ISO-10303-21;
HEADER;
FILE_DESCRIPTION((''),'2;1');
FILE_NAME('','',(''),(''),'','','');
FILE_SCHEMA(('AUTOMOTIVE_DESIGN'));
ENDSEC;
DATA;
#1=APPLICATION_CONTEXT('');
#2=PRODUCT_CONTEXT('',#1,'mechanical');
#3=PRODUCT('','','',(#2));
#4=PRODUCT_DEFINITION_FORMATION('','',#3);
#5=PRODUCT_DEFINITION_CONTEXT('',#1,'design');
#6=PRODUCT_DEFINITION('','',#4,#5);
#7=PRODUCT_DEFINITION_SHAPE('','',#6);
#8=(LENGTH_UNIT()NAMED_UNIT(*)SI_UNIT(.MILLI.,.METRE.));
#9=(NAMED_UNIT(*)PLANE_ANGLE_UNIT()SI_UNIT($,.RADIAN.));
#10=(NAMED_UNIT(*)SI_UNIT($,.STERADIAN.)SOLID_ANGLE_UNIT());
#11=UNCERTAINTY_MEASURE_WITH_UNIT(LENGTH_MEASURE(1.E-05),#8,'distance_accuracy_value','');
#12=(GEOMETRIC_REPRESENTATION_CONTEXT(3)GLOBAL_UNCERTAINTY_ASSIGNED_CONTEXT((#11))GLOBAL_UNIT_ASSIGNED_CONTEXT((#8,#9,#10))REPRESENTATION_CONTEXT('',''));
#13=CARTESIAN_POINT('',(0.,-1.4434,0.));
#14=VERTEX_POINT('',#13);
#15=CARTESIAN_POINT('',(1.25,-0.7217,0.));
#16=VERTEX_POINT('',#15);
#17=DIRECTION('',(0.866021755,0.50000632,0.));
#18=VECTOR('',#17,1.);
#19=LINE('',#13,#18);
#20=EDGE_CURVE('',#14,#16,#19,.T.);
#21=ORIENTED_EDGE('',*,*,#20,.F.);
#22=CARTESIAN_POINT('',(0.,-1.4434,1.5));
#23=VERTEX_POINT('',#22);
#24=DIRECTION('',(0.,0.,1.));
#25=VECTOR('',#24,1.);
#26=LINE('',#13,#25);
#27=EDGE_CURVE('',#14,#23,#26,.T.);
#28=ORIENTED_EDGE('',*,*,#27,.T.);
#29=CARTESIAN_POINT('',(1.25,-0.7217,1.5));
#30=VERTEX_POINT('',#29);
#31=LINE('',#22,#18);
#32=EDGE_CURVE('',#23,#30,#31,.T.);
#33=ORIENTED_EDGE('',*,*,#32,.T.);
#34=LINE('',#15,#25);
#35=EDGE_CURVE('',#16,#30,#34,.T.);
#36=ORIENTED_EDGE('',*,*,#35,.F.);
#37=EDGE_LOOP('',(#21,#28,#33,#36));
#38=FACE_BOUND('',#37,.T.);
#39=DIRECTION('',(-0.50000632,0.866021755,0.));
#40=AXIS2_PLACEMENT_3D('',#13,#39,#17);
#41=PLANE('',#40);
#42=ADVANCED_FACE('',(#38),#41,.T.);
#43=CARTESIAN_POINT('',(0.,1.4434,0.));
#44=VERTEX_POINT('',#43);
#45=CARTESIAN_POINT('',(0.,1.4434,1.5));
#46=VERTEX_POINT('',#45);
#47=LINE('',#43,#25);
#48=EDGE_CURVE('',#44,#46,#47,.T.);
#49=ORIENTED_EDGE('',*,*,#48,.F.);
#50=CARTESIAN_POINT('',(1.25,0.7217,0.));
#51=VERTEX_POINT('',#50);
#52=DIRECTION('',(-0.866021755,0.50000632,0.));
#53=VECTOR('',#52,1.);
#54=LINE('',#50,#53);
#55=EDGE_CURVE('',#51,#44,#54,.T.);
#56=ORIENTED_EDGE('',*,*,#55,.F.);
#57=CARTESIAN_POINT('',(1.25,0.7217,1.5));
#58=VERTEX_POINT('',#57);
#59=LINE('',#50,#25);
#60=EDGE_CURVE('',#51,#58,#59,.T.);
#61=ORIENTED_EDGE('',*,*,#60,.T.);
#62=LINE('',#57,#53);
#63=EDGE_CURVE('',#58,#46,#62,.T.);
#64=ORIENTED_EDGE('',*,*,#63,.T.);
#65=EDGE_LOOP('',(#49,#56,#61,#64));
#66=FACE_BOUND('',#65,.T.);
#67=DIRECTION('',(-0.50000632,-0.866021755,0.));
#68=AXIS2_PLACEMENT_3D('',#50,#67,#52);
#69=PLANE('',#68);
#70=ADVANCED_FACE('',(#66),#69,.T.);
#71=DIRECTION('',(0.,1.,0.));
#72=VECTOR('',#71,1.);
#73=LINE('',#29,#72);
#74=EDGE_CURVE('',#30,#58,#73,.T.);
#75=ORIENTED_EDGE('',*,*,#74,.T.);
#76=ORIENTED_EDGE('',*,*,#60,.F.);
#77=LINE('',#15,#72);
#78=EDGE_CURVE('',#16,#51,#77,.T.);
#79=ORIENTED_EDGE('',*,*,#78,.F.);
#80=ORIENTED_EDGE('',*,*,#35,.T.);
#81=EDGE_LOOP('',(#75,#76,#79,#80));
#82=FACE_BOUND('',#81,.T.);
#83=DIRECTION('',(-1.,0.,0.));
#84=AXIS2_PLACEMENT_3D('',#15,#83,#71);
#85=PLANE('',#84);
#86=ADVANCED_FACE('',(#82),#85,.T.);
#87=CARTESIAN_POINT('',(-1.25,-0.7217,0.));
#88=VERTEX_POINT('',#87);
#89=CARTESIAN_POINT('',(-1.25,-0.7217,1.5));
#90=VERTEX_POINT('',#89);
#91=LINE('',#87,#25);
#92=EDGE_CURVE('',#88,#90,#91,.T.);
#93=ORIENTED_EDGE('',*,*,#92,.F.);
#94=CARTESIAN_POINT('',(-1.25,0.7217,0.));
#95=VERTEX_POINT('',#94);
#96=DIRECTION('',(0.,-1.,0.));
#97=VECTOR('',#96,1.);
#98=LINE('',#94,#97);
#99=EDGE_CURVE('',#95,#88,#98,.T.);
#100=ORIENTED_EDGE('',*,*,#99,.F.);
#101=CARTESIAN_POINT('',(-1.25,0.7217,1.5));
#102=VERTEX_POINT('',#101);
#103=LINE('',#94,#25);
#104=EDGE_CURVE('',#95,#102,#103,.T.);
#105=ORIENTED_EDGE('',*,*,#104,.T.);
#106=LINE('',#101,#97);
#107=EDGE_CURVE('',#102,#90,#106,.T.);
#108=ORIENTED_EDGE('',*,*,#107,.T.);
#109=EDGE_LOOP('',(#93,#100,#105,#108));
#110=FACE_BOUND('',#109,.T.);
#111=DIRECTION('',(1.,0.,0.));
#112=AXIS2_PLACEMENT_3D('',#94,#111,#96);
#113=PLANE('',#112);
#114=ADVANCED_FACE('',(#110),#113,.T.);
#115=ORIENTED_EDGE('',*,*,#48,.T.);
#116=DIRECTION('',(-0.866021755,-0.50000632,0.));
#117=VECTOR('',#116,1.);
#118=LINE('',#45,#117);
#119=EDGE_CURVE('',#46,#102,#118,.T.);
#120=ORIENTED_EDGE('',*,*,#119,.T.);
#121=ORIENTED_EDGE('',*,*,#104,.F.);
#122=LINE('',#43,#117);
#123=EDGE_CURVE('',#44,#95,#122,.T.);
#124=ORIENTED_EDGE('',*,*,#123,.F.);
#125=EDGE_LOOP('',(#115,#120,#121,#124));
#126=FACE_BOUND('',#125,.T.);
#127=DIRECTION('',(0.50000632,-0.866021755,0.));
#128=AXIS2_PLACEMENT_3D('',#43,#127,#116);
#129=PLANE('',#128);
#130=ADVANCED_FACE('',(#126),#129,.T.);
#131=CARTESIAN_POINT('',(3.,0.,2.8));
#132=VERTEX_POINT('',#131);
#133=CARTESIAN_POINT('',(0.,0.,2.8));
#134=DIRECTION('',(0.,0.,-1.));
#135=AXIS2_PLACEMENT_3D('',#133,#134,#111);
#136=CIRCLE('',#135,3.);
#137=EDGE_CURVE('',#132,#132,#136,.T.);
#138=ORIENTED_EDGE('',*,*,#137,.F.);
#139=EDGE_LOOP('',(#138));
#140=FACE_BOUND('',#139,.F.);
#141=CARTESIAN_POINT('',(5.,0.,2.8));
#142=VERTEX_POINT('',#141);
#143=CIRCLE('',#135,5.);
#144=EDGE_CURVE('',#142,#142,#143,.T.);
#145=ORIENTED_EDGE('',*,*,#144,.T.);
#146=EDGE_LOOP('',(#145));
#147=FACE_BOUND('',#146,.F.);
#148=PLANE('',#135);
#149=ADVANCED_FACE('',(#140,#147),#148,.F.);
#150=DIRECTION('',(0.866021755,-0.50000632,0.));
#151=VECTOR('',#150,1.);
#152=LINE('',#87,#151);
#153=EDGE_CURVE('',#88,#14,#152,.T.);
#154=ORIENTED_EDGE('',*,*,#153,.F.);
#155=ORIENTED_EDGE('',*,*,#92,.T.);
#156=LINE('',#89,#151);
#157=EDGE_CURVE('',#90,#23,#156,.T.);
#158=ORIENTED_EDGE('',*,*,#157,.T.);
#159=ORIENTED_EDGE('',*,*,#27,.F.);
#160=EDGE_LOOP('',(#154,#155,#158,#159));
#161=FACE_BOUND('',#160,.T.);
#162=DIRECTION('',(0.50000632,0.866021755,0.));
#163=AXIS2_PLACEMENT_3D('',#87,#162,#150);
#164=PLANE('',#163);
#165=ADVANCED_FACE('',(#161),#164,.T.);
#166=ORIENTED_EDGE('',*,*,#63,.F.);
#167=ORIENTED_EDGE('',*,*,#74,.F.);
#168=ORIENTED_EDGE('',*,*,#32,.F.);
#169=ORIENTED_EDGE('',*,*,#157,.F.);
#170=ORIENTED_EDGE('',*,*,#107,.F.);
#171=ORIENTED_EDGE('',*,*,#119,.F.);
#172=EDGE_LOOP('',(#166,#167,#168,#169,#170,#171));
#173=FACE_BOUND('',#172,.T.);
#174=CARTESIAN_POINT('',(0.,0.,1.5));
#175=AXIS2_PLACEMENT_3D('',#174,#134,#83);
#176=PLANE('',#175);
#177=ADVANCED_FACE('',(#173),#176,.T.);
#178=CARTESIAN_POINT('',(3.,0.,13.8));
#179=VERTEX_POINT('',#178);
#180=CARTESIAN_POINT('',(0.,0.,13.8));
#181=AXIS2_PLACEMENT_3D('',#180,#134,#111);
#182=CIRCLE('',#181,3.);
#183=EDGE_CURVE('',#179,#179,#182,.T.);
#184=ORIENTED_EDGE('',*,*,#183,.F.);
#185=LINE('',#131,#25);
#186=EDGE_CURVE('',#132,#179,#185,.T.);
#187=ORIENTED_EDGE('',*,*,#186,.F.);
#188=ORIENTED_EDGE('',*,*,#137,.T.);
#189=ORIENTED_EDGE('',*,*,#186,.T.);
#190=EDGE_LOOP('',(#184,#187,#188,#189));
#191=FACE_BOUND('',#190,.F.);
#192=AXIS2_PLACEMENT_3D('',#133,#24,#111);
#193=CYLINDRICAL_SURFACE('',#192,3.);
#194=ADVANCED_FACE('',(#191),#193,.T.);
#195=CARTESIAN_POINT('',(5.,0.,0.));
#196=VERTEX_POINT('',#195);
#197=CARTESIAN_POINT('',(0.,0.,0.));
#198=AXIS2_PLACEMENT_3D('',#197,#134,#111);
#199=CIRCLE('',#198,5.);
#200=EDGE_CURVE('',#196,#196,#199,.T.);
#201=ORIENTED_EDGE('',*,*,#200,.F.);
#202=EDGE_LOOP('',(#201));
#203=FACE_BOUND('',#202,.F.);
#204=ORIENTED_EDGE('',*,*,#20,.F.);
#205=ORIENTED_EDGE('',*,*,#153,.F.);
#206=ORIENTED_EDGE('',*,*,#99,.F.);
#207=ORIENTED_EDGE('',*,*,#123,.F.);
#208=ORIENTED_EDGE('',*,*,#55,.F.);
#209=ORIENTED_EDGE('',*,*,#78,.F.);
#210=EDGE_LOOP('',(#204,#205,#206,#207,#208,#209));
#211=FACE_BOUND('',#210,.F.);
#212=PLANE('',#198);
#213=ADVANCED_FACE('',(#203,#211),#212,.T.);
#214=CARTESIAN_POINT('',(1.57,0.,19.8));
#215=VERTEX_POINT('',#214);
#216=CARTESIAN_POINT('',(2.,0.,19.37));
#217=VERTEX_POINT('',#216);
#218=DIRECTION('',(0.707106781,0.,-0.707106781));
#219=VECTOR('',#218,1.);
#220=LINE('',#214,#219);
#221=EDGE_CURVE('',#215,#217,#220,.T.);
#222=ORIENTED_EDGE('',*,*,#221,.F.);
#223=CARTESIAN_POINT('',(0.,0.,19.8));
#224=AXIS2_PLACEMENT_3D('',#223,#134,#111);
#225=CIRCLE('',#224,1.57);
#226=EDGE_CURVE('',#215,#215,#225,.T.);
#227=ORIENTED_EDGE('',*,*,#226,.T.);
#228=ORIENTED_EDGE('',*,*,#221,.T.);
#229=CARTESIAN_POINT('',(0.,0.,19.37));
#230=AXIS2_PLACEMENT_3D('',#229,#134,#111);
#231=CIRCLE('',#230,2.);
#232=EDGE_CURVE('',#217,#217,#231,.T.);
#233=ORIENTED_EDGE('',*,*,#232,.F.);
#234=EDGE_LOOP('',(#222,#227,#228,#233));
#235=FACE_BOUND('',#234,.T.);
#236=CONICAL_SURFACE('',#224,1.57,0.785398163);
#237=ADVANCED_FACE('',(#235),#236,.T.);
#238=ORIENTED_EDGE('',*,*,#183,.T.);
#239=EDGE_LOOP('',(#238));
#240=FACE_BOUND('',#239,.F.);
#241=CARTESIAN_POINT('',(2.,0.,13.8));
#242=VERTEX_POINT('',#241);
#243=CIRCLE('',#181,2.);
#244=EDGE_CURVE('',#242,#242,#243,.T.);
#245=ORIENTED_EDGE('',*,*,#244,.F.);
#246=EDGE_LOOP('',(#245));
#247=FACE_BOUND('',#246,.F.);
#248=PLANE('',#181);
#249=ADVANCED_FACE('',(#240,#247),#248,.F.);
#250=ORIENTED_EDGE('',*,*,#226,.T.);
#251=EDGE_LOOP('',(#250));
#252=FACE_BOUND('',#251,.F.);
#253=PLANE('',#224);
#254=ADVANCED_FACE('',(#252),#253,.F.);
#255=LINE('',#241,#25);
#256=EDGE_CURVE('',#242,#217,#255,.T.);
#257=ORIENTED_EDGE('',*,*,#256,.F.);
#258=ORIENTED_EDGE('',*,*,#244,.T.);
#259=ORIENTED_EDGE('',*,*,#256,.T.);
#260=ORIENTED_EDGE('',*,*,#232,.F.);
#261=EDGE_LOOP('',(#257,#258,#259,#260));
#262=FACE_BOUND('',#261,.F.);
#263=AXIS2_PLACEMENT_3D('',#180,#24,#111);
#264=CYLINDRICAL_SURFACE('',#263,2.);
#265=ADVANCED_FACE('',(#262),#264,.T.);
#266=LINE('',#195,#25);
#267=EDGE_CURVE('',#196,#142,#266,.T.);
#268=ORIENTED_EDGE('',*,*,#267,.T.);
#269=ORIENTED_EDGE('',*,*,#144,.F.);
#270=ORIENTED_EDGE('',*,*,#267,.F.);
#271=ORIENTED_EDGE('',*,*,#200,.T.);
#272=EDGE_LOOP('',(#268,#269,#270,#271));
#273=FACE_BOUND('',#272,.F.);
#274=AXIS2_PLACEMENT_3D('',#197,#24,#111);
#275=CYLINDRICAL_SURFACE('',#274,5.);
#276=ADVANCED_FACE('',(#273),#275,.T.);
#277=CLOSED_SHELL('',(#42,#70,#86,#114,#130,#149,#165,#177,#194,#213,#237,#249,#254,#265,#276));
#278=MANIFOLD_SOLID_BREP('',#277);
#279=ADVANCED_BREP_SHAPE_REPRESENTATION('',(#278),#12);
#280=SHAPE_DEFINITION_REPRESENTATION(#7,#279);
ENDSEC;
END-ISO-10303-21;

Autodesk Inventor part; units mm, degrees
ref_plane "YZ Plane" through (0, 0, 0) normal (1, 0, 0) x (0, 1, 0)
ref_plane "XZ Plane" through (0, 0, 0) normal (0, 1, 0) x (-1, 0, 0)
ref_plane "XY Plane" through (0, 0, 0) normal (0, 0, 1) x (1, 0, 0)
sketch "スケッチ1" plane through (0, 0, 0) normal (0, 1, 0) x (-1, 0, 0)
  line L0 (0, 0) -> (-5, 0)
  line L1 (-5, 0) -> (-5, 2.8)
  line L2 (-5, 2.8) -> (-3, 2.8)
  line L3 (-3, 2.8) -> (-3, 13.8)
  line L4 (-3, 13.8) -> (-2, 13.8)
  line L5 (-2, 13.8) -> (-2, 19.37)
  line L6 (-1.57, 19.8) -> (0, 19.8)
  line L7 (0, 19.8) -> (0, 0)
  line L8 (-1.57, 19.8) -> (-2, 19.37)
  point P0 (-2, 19.8)
  dimension "d0" = 6
  dimension "d1" = 11
  dimension "d2" = 2.8
  dimension "d3" = 0.43
  dimension "d4" = 0.43
  dimension "d5" = 4
  dimension "d6" = 10
  dimension "d7" = 6
revolve "回転1" add sketch "スケッチ1" angle 360 about axis through (0, 0, 19.8) along (0, 0, -1)
thread "ねじ1" size "M4x0.7" class "6g" standard "ANSI Metric M Profile" length 7.57 offset 1.2
sketch "スケッチ2" plane through (0, 0, 0) normal (0, 0, -1) x (-1, 0, 0)
  line L0 (0, -1.4434) -> (-1.25, -0.7217)
  line L1 (-1.25, -0.7217) -> (-1.25, 0.7217)
  line L2 (-1.25, 0.7217) -> (0, 1.4434)
  line L3 (0, 1.4434) -> (1.25, 0.7217)
  line L4 (1.25, 0.7217) -> (1.25, -0.7217)
  line L5 (1.25, -0.7217) -> (0, -1.4434)
  point P0 (0, 0)
  point P1 (0, 0)
  dimension "d11" = 2.5
extrude "押し出し1" cut sketch "スケッチ2" against normal blind 1.5
equation "\"d4\" = d3"
properties part number "DBTS4-11-6-DHC" material "ステンレス鋼 AISI 304"
